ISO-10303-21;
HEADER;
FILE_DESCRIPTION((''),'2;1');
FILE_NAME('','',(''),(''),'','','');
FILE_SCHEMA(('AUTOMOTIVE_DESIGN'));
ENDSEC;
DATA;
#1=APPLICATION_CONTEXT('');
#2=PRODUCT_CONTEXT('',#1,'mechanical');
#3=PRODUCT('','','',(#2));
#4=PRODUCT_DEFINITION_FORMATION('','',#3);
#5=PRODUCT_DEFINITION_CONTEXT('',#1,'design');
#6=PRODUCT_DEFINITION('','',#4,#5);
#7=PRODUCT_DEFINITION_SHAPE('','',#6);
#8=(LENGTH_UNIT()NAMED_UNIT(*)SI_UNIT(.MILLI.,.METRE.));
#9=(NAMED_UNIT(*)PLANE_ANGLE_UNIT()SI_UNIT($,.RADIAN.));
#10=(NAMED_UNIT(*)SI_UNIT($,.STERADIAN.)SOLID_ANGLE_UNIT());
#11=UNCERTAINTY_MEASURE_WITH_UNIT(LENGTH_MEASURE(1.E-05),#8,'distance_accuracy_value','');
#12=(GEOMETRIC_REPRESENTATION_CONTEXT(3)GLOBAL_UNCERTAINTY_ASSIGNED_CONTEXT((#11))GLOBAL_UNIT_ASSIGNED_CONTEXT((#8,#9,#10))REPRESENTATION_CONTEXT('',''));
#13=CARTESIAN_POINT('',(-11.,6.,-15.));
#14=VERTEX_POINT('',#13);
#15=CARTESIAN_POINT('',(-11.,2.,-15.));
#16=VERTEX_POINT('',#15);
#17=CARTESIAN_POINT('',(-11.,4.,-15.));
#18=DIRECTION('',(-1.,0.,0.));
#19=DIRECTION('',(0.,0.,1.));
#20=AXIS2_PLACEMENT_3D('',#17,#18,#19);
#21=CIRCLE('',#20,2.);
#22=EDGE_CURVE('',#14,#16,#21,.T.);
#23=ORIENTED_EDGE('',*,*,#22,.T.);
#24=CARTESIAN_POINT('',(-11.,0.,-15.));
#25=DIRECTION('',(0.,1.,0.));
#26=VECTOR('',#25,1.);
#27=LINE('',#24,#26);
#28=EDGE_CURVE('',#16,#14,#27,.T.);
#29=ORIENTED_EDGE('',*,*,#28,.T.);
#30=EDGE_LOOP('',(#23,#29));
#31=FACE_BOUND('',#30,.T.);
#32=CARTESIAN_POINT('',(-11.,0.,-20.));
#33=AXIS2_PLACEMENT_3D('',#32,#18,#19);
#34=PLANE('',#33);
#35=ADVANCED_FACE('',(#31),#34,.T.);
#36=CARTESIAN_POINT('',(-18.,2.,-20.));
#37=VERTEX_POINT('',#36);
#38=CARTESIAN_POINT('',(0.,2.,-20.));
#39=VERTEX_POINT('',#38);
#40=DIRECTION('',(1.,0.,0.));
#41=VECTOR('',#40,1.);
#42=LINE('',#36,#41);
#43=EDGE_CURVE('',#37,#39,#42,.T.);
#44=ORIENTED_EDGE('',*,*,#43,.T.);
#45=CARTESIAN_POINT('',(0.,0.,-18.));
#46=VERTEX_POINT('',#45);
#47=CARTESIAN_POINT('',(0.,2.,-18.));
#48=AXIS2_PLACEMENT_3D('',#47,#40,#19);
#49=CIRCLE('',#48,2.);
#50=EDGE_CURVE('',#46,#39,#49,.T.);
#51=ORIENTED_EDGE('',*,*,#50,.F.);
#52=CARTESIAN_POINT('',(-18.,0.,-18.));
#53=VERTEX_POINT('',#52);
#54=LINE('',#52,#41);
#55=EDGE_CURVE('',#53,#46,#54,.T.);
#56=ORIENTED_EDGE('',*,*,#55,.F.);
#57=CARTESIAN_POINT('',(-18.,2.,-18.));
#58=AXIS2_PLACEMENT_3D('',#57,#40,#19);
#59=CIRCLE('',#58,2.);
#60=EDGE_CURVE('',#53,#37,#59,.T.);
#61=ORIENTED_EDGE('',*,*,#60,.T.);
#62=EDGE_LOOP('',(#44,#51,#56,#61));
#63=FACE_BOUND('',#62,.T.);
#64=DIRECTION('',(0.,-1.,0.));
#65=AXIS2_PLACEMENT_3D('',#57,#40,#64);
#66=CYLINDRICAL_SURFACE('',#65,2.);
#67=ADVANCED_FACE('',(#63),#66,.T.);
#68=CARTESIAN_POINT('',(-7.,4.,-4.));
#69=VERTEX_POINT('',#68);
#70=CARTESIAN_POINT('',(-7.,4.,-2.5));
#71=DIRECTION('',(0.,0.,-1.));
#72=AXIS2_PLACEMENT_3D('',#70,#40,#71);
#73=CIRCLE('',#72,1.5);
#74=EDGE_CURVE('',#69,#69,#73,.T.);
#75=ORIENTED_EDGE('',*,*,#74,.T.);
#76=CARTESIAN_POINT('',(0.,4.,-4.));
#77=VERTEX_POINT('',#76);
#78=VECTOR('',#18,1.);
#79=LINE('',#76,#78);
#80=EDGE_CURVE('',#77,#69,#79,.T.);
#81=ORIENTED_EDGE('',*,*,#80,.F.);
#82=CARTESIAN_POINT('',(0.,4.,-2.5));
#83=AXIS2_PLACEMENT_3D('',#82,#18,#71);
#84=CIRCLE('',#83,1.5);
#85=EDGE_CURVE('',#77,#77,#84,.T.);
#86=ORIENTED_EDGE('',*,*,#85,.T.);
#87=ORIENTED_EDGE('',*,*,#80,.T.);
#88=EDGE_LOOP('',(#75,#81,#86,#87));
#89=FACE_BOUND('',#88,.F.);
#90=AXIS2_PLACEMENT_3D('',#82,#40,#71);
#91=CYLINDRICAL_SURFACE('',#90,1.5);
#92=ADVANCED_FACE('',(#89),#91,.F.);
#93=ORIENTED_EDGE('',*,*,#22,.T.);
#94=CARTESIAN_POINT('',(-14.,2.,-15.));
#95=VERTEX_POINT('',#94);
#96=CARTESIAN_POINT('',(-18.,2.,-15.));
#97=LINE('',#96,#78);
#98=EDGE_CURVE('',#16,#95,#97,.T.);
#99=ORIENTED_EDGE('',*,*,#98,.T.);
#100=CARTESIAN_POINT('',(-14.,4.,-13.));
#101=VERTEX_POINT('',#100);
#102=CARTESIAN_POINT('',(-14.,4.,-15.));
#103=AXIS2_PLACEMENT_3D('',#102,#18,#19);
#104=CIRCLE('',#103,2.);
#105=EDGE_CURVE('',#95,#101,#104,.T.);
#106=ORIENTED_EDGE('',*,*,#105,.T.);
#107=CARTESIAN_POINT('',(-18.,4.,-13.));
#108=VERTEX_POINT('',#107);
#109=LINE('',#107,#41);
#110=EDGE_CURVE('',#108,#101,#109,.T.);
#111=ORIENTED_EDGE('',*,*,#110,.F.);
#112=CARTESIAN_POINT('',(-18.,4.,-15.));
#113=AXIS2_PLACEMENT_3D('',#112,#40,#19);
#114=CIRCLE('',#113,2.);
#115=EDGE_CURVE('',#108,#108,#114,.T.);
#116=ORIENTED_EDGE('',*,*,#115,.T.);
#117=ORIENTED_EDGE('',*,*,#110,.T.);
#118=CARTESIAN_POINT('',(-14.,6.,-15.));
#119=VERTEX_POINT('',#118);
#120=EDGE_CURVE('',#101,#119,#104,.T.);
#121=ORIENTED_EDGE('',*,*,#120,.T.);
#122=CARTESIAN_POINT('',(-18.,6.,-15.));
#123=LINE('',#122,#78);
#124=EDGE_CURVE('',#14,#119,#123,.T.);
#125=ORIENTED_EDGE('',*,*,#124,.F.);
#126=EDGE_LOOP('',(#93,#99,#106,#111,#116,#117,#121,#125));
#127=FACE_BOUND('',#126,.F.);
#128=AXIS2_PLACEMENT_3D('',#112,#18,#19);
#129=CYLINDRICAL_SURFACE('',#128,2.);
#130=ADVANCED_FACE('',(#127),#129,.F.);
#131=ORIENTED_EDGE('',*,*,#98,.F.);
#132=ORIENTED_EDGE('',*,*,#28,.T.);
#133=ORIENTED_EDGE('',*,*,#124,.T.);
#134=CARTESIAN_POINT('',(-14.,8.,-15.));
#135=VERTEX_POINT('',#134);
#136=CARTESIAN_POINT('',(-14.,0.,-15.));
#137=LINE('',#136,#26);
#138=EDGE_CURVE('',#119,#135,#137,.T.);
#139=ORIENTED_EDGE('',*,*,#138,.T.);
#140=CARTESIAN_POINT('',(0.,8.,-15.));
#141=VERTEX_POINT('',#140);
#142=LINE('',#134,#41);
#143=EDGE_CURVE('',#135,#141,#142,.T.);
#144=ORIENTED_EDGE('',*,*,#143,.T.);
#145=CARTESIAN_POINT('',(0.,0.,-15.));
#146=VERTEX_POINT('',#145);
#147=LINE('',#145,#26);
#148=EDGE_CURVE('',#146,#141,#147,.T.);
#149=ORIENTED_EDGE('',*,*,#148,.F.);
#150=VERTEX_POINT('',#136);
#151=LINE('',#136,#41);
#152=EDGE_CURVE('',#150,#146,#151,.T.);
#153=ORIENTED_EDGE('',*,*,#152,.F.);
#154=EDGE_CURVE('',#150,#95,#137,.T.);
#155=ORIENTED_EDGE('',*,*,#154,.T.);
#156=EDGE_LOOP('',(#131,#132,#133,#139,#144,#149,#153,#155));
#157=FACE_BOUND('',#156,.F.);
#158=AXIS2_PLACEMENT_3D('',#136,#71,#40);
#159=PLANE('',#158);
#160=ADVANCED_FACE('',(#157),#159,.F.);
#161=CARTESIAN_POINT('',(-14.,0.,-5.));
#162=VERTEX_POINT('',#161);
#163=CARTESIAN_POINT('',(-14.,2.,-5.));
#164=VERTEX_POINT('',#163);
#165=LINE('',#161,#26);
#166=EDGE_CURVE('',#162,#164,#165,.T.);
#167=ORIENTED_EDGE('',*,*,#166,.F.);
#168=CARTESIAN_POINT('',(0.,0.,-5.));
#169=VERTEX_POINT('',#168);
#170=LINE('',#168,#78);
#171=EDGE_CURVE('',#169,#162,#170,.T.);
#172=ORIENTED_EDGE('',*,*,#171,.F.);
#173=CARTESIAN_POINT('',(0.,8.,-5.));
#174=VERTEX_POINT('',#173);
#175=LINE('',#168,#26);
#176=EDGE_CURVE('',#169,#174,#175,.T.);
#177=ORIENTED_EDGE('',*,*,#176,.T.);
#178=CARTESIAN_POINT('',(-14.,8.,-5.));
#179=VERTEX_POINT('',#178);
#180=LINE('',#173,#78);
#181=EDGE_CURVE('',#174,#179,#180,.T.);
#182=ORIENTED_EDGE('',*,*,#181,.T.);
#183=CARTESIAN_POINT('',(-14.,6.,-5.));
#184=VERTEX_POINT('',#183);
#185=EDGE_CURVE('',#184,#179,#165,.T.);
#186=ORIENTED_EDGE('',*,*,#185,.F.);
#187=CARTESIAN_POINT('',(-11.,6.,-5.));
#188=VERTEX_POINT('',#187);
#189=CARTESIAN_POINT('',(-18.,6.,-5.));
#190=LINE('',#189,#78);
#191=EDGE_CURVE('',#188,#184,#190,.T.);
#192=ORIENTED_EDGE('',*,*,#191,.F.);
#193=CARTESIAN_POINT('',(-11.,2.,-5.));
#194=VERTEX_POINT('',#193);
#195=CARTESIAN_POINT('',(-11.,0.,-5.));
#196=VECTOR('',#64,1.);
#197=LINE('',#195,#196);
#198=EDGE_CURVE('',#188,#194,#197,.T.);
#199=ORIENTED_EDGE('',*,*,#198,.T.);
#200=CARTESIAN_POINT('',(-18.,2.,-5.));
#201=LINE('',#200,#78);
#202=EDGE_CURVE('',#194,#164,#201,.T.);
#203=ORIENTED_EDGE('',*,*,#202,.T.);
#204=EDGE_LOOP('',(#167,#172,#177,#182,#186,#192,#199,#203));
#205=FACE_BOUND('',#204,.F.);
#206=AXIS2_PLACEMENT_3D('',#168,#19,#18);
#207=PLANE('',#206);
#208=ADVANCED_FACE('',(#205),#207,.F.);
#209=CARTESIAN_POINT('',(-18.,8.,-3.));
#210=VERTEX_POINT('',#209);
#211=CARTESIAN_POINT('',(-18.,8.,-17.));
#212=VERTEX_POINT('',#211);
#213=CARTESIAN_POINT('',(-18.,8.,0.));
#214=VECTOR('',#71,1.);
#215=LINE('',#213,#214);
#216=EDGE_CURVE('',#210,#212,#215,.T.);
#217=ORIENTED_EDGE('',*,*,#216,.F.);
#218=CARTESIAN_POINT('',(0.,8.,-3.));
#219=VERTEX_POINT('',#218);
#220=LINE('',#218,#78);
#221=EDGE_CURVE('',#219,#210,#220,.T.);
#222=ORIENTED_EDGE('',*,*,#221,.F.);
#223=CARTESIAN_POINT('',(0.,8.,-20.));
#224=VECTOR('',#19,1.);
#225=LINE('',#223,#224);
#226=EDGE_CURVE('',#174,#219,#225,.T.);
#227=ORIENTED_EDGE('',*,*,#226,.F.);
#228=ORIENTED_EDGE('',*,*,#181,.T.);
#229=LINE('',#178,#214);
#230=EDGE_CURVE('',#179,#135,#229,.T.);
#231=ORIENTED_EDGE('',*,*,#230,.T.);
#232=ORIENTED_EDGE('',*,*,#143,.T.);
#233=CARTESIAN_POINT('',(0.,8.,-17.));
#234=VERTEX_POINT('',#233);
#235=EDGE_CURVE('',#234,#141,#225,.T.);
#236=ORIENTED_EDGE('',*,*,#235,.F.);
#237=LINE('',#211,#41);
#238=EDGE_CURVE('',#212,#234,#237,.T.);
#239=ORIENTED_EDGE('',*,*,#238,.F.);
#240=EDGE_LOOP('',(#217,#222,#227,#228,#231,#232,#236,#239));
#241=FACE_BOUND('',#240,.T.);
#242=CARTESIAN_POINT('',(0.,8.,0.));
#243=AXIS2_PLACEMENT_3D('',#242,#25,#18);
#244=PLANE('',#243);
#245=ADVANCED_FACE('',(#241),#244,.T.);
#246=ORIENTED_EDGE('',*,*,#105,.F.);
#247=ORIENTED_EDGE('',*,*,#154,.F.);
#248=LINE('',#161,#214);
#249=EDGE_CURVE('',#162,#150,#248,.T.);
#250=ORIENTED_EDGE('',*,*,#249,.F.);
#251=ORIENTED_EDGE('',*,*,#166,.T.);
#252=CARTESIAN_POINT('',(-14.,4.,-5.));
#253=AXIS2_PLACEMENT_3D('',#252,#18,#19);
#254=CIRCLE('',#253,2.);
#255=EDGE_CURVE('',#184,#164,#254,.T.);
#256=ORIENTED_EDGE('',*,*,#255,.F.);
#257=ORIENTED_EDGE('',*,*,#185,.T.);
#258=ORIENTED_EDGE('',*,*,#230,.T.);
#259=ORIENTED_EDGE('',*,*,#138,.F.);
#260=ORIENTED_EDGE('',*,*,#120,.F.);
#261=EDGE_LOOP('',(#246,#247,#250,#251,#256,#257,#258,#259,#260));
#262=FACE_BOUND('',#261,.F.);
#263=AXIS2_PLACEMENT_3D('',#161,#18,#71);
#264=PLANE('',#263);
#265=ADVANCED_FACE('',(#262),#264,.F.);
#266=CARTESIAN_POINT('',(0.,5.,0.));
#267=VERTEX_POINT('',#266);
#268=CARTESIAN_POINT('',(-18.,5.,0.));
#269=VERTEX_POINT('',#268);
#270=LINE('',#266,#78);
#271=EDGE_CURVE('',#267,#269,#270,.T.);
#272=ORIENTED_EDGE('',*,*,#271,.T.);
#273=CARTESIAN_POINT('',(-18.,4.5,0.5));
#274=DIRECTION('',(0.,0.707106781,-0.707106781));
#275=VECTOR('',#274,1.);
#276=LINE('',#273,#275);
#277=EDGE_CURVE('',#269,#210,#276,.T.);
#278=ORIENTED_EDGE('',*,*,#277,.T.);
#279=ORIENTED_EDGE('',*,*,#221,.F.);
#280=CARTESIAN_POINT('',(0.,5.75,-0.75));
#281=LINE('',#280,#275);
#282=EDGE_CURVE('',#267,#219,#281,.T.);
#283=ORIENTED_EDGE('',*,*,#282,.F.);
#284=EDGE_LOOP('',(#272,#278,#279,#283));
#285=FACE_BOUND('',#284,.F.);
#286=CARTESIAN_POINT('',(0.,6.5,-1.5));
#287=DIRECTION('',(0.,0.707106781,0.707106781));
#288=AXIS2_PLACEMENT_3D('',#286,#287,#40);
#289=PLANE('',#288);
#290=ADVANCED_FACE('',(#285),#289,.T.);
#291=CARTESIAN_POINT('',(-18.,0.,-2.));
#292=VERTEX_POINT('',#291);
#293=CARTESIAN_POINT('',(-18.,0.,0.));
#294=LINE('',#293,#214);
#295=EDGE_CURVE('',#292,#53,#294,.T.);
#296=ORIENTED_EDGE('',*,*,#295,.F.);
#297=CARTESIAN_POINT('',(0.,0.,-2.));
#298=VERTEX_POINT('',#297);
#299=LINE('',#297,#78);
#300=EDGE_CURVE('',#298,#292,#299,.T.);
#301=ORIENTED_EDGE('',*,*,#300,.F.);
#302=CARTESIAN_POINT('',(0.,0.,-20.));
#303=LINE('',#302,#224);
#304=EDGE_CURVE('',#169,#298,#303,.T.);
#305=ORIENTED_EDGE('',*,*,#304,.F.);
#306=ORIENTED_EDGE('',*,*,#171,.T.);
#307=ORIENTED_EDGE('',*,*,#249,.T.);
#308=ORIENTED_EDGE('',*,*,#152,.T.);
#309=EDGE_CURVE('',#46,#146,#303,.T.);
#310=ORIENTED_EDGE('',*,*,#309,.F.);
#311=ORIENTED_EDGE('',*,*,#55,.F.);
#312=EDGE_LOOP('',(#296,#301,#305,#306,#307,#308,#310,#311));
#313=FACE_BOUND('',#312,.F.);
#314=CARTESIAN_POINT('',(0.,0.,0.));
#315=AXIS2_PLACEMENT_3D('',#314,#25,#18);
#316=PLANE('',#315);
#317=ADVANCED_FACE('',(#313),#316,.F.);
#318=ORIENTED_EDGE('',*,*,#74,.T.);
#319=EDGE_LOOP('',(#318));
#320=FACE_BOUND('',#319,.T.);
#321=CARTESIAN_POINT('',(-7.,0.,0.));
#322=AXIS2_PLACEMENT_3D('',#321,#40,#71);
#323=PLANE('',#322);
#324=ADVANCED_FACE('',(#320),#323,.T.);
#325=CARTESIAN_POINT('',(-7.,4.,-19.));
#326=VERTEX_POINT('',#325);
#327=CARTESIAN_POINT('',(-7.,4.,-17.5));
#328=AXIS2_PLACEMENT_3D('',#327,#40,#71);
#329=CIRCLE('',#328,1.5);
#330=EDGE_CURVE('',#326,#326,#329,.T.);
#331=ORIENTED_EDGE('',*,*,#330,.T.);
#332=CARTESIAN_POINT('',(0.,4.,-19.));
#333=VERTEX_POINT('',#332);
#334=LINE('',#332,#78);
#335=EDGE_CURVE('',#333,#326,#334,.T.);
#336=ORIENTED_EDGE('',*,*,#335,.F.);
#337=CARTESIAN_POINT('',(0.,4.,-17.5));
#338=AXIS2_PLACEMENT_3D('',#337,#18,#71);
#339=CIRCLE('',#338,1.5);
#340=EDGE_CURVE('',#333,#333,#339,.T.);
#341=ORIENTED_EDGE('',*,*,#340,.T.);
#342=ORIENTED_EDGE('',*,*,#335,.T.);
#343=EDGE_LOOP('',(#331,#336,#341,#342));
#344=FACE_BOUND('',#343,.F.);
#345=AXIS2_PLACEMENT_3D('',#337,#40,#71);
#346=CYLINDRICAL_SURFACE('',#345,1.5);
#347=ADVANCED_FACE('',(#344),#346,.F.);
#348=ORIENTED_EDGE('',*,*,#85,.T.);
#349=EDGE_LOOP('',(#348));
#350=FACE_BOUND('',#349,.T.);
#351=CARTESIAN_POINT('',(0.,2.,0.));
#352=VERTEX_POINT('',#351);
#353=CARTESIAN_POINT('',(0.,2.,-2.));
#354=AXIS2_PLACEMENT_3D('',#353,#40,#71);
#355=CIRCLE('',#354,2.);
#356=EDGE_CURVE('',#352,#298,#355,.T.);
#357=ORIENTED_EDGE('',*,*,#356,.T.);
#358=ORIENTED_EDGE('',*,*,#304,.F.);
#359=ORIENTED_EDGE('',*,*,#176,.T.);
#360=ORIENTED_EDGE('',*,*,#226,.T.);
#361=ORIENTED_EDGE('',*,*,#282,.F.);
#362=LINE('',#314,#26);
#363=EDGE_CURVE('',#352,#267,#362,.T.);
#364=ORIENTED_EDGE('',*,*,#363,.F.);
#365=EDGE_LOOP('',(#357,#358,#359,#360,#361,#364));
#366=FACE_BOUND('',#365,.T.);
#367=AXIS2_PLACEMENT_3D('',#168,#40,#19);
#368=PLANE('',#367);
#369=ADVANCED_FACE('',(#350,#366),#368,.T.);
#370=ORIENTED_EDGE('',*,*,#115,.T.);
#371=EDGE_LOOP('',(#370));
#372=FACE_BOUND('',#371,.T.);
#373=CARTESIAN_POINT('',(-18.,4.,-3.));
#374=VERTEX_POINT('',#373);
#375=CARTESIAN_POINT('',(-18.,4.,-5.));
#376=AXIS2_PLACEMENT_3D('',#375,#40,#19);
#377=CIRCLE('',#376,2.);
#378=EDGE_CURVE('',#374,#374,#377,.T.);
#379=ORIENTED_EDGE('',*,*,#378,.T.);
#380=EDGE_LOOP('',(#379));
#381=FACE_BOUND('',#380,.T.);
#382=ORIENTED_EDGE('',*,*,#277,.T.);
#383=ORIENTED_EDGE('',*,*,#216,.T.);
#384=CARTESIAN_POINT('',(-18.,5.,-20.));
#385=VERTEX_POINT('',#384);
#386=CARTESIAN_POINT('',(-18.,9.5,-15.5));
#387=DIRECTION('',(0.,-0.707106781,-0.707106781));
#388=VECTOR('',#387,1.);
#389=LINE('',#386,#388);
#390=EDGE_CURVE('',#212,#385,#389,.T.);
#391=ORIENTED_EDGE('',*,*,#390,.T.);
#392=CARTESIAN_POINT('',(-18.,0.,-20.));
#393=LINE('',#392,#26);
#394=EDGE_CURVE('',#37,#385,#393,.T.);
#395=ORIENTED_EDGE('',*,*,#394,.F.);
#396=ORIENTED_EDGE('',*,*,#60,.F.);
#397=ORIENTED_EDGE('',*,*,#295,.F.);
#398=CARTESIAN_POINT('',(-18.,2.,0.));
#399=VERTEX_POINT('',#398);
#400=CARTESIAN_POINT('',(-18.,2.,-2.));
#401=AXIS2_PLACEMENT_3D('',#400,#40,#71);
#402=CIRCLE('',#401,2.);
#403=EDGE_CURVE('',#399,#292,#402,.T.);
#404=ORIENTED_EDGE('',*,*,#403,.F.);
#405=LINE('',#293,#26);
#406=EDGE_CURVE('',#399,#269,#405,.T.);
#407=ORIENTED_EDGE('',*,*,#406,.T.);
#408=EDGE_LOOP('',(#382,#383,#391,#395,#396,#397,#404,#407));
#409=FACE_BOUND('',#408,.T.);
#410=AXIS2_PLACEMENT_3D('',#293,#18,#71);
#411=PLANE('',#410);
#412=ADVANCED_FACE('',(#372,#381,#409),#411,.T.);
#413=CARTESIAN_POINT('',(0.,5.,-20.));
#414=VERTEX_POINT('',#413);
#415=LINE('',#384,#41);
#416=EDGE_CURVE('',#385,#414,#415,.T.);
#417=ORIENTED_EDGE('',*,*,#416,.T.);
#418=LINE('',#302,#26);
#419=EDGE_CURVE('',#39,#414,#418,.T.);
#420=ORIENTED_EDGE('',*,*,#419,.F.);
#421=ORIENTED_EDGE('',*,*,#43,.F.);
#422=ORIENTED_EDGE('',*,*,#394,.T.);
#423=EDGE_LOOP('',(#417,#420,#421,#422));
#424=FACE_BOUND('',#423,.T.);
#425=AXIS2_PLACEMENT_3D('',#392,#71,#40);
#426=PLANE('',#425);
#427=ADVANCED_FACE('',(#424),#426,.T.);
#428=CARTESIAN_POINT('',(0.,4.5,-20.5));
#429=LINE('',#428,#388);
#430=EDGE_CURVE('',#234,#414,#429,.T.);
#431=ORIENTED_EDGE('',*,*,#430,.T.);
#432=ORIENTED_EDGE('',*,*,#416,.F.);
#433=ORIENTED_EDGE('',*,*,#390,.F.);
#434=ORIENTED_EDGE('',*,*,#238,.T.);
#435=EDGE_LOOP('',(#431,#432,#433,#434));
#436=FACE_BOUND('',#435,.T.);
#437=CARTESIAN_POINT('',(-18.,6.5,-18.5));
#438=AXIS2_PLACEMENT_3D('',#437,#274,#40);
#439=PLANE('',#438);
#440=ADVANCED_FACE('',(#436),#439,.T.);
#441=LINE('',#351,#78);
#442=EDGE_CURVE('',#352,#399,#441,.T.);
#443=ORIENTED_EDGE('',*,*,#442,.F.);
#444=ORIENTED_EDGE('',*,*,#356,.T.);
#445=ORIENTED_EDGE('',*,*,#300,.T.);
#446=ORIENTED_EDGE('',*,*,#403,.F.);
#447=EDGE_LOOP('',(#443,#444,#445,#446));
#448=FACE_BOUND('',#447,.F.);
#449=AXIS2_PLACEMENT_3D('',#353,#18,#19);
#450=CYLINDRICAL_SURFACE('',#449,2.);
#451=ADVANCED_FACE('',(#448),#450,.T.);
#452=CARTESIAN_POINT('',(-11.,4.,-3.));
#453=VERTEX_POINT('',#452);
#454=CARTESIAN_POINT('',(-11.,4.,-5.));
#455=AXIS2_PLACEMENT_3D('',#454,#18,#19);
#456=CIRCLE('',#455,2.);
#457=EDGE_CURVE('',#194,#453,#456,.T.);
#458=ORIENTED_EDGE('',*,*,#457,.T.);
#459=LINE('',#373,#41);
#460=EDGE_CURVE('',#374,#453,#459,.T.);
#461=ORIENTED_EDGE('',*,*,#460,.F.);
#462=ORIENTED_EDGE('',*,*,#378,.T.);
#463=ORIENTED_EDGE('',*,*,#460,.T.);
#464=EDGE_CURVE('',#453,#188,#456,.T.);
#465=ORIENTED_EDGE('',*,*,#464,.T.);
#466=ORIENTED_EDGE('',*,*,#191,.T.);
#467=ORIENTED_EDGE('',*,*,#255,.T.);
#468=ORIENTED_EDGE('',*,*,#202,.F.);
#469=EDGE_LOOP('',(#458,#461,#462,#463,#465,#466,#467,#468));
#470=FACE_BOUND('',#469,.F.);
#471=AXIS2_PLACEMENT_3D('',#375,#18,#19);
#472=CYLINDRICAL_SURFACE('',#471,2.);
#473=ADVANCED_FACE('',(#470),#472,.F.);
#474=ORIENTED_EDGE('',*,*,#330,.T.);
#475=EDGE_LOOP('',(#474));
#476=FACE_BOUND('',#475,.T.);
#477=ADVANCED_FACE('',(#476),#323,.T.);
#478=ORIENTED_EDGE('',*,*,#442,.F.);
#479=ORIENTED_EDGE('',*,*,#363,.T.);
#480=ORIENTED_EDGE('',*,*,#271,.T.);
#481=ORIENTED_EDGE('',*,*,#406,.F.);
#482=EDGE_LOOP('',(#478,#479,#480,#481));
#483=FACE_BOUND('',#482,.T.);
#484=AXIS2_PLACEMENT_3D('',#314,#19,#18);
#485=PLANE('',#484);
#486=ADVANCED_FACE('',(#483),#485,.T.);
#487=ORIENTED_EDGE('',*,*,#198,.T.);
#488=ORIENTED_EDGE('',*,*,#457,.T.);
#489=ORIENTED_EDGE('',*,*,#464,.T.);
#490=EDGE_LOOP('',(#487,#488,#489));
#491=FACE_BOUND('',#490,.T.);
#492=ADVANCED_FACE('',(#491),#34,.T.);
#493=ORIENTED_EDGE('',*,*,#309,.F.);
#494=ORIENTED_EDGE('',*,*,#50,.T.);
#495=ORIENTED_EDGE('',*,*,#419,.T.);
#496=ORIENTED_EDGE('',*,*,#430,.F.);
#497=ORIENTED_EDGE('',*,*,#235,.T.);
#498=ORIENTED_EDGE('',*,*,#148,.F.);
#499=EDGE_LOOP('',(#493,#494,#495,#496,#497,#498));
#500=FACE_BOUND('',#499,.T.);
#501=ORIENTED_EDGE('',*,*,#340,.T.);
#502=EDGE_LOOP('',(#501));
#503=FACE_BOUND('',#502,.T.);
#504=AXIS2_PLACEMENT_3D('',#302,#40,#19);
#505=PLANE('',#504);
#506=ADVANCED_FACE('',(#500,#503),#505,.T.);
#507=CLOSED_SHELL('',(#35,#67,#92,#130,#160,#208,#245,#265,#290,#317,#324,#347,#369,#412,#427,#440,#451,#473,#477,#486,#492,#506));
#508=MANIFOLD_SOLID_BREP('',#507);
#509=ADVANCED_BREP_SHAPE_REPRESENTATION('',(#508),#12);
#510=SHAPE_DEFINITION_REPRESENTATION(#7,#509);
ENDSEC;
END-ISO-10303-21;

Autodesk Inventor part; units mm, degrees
ref_plane "YZ Plane" through (0, 0, 0) normal (1, 0, 0) x (0, 1, 0)
ref_plane "XZ Plane" through (0, 0, 0) normal (0, 1, 0) x (-1, 0, 0)
ref_plane "XY Plane" through (0, 0, 0) normal (0, 0, 1) x (1, 0, 0)
sketch "Sketch1" plane through (0, 0, 0) normal (0, 1, 0) x (-1, 0, 0)
  line L0 (0, 0) -> (18, 0)
  line L1 (18, 0) -> (18, -20)
  line L2 (18, -20) -> (0, -20)
  line L3 (0, -20) -> (0, 0)
  line L4 (0, 0) -> (0, -5)
  line L5 (0, -5) -> (14, -5)
  line L6 (14, -5) -> (14, -15)
  line L7 (14, -15) -> (0, -15)
  line L8 (0, -15) -> (0, -5)
  dimension "d0" = 18
  dimension "d1" = 20
  dimension "d2" = 5
  dimension "d3" = 14
  dimension "d4" = 10
extrude "Extrusion1" add sketch "Sketch1" along normal blind 8 contours L0 L1 L2 L3 L7 L6 L5
sketch "Sketch2" plane through (0, 0, 0) normal (1, 0, 0) x (0, 0, -1)
  line L0 (20, 8) -> (0, 8) projected
  line L1 (0, 8) -> (2.5, 8)
  line L2 (2.5, 8) -> (2.5, 4)
  line L3 (2.5, 4) -> (0, 4)
  line L4 (0, 4) -> (0, 8)
  line L5 (20, 0) -> (20, 8) projected
  line L6 (20, 8) -> (17.5, 8)
  line L7 (17.5, 8) -> (17.5, 4)
  line L8 (17.5, 4) -> (20, 4)
  line L9 (20, 4) -> (20, 8)
  circle A0 centre (2.5, 4) radius 1.5
  circle A1 centre (17.5, 4) radius 1.5
  point P0 (0, 0)
  dimension "d7" = 2.5
  dimension "d8" = 4
  dimension "d9" = 2.5
  dimension "d10" = 4
  dimension "d11" = 3
  dimension "d12" = 3
extrude "Extrusion2" cut sketch "Sketch2" against normal blind 7 contours A1 L8 L7 | L7 L8 A1 | A0 L3 L2 | L2 L3 A0
sketch "Sketch3" plane through (-18, 0, -20) normal (-1, 0, 0) x (0, 0, 1)
  line L0 (0, 0) -> (0, 8) projected
  line L1 (0, 0) -> (5, 0)
  line L2 (5, 0) -> (5, 4)
  line L3 (5, 4) -> (0, 4)
  line L4 (0, 4) -> (0, 0)
  line L5 (5, 4) -> (15, 4)
  circle A0 centre (5, 4) radius 2
  circle A1 centre (15, 4) radius 2
  point P0 (20, 0)
  dimension "d15" = 5
  dimension "d16" = 4
  dimension "d17" = 10
  dimension "d18" = 4
  dimension "d19" = 4
extrude "Extrusion3" cut sketch "Sketch3" against normal blind 7 contours A1 | A0 L5 L3 | L3 L2 A0 | L2 L5 A0
fillet "Fillet1" radius 2 2 edges at (-9, 0, 0) (-9, 0, -20)
chamfer "Chamfer1" distance 3 angle 45 2 edges at (-9, 8, -20) (-9, 8, 0)
properties part number "servo_support_4"
